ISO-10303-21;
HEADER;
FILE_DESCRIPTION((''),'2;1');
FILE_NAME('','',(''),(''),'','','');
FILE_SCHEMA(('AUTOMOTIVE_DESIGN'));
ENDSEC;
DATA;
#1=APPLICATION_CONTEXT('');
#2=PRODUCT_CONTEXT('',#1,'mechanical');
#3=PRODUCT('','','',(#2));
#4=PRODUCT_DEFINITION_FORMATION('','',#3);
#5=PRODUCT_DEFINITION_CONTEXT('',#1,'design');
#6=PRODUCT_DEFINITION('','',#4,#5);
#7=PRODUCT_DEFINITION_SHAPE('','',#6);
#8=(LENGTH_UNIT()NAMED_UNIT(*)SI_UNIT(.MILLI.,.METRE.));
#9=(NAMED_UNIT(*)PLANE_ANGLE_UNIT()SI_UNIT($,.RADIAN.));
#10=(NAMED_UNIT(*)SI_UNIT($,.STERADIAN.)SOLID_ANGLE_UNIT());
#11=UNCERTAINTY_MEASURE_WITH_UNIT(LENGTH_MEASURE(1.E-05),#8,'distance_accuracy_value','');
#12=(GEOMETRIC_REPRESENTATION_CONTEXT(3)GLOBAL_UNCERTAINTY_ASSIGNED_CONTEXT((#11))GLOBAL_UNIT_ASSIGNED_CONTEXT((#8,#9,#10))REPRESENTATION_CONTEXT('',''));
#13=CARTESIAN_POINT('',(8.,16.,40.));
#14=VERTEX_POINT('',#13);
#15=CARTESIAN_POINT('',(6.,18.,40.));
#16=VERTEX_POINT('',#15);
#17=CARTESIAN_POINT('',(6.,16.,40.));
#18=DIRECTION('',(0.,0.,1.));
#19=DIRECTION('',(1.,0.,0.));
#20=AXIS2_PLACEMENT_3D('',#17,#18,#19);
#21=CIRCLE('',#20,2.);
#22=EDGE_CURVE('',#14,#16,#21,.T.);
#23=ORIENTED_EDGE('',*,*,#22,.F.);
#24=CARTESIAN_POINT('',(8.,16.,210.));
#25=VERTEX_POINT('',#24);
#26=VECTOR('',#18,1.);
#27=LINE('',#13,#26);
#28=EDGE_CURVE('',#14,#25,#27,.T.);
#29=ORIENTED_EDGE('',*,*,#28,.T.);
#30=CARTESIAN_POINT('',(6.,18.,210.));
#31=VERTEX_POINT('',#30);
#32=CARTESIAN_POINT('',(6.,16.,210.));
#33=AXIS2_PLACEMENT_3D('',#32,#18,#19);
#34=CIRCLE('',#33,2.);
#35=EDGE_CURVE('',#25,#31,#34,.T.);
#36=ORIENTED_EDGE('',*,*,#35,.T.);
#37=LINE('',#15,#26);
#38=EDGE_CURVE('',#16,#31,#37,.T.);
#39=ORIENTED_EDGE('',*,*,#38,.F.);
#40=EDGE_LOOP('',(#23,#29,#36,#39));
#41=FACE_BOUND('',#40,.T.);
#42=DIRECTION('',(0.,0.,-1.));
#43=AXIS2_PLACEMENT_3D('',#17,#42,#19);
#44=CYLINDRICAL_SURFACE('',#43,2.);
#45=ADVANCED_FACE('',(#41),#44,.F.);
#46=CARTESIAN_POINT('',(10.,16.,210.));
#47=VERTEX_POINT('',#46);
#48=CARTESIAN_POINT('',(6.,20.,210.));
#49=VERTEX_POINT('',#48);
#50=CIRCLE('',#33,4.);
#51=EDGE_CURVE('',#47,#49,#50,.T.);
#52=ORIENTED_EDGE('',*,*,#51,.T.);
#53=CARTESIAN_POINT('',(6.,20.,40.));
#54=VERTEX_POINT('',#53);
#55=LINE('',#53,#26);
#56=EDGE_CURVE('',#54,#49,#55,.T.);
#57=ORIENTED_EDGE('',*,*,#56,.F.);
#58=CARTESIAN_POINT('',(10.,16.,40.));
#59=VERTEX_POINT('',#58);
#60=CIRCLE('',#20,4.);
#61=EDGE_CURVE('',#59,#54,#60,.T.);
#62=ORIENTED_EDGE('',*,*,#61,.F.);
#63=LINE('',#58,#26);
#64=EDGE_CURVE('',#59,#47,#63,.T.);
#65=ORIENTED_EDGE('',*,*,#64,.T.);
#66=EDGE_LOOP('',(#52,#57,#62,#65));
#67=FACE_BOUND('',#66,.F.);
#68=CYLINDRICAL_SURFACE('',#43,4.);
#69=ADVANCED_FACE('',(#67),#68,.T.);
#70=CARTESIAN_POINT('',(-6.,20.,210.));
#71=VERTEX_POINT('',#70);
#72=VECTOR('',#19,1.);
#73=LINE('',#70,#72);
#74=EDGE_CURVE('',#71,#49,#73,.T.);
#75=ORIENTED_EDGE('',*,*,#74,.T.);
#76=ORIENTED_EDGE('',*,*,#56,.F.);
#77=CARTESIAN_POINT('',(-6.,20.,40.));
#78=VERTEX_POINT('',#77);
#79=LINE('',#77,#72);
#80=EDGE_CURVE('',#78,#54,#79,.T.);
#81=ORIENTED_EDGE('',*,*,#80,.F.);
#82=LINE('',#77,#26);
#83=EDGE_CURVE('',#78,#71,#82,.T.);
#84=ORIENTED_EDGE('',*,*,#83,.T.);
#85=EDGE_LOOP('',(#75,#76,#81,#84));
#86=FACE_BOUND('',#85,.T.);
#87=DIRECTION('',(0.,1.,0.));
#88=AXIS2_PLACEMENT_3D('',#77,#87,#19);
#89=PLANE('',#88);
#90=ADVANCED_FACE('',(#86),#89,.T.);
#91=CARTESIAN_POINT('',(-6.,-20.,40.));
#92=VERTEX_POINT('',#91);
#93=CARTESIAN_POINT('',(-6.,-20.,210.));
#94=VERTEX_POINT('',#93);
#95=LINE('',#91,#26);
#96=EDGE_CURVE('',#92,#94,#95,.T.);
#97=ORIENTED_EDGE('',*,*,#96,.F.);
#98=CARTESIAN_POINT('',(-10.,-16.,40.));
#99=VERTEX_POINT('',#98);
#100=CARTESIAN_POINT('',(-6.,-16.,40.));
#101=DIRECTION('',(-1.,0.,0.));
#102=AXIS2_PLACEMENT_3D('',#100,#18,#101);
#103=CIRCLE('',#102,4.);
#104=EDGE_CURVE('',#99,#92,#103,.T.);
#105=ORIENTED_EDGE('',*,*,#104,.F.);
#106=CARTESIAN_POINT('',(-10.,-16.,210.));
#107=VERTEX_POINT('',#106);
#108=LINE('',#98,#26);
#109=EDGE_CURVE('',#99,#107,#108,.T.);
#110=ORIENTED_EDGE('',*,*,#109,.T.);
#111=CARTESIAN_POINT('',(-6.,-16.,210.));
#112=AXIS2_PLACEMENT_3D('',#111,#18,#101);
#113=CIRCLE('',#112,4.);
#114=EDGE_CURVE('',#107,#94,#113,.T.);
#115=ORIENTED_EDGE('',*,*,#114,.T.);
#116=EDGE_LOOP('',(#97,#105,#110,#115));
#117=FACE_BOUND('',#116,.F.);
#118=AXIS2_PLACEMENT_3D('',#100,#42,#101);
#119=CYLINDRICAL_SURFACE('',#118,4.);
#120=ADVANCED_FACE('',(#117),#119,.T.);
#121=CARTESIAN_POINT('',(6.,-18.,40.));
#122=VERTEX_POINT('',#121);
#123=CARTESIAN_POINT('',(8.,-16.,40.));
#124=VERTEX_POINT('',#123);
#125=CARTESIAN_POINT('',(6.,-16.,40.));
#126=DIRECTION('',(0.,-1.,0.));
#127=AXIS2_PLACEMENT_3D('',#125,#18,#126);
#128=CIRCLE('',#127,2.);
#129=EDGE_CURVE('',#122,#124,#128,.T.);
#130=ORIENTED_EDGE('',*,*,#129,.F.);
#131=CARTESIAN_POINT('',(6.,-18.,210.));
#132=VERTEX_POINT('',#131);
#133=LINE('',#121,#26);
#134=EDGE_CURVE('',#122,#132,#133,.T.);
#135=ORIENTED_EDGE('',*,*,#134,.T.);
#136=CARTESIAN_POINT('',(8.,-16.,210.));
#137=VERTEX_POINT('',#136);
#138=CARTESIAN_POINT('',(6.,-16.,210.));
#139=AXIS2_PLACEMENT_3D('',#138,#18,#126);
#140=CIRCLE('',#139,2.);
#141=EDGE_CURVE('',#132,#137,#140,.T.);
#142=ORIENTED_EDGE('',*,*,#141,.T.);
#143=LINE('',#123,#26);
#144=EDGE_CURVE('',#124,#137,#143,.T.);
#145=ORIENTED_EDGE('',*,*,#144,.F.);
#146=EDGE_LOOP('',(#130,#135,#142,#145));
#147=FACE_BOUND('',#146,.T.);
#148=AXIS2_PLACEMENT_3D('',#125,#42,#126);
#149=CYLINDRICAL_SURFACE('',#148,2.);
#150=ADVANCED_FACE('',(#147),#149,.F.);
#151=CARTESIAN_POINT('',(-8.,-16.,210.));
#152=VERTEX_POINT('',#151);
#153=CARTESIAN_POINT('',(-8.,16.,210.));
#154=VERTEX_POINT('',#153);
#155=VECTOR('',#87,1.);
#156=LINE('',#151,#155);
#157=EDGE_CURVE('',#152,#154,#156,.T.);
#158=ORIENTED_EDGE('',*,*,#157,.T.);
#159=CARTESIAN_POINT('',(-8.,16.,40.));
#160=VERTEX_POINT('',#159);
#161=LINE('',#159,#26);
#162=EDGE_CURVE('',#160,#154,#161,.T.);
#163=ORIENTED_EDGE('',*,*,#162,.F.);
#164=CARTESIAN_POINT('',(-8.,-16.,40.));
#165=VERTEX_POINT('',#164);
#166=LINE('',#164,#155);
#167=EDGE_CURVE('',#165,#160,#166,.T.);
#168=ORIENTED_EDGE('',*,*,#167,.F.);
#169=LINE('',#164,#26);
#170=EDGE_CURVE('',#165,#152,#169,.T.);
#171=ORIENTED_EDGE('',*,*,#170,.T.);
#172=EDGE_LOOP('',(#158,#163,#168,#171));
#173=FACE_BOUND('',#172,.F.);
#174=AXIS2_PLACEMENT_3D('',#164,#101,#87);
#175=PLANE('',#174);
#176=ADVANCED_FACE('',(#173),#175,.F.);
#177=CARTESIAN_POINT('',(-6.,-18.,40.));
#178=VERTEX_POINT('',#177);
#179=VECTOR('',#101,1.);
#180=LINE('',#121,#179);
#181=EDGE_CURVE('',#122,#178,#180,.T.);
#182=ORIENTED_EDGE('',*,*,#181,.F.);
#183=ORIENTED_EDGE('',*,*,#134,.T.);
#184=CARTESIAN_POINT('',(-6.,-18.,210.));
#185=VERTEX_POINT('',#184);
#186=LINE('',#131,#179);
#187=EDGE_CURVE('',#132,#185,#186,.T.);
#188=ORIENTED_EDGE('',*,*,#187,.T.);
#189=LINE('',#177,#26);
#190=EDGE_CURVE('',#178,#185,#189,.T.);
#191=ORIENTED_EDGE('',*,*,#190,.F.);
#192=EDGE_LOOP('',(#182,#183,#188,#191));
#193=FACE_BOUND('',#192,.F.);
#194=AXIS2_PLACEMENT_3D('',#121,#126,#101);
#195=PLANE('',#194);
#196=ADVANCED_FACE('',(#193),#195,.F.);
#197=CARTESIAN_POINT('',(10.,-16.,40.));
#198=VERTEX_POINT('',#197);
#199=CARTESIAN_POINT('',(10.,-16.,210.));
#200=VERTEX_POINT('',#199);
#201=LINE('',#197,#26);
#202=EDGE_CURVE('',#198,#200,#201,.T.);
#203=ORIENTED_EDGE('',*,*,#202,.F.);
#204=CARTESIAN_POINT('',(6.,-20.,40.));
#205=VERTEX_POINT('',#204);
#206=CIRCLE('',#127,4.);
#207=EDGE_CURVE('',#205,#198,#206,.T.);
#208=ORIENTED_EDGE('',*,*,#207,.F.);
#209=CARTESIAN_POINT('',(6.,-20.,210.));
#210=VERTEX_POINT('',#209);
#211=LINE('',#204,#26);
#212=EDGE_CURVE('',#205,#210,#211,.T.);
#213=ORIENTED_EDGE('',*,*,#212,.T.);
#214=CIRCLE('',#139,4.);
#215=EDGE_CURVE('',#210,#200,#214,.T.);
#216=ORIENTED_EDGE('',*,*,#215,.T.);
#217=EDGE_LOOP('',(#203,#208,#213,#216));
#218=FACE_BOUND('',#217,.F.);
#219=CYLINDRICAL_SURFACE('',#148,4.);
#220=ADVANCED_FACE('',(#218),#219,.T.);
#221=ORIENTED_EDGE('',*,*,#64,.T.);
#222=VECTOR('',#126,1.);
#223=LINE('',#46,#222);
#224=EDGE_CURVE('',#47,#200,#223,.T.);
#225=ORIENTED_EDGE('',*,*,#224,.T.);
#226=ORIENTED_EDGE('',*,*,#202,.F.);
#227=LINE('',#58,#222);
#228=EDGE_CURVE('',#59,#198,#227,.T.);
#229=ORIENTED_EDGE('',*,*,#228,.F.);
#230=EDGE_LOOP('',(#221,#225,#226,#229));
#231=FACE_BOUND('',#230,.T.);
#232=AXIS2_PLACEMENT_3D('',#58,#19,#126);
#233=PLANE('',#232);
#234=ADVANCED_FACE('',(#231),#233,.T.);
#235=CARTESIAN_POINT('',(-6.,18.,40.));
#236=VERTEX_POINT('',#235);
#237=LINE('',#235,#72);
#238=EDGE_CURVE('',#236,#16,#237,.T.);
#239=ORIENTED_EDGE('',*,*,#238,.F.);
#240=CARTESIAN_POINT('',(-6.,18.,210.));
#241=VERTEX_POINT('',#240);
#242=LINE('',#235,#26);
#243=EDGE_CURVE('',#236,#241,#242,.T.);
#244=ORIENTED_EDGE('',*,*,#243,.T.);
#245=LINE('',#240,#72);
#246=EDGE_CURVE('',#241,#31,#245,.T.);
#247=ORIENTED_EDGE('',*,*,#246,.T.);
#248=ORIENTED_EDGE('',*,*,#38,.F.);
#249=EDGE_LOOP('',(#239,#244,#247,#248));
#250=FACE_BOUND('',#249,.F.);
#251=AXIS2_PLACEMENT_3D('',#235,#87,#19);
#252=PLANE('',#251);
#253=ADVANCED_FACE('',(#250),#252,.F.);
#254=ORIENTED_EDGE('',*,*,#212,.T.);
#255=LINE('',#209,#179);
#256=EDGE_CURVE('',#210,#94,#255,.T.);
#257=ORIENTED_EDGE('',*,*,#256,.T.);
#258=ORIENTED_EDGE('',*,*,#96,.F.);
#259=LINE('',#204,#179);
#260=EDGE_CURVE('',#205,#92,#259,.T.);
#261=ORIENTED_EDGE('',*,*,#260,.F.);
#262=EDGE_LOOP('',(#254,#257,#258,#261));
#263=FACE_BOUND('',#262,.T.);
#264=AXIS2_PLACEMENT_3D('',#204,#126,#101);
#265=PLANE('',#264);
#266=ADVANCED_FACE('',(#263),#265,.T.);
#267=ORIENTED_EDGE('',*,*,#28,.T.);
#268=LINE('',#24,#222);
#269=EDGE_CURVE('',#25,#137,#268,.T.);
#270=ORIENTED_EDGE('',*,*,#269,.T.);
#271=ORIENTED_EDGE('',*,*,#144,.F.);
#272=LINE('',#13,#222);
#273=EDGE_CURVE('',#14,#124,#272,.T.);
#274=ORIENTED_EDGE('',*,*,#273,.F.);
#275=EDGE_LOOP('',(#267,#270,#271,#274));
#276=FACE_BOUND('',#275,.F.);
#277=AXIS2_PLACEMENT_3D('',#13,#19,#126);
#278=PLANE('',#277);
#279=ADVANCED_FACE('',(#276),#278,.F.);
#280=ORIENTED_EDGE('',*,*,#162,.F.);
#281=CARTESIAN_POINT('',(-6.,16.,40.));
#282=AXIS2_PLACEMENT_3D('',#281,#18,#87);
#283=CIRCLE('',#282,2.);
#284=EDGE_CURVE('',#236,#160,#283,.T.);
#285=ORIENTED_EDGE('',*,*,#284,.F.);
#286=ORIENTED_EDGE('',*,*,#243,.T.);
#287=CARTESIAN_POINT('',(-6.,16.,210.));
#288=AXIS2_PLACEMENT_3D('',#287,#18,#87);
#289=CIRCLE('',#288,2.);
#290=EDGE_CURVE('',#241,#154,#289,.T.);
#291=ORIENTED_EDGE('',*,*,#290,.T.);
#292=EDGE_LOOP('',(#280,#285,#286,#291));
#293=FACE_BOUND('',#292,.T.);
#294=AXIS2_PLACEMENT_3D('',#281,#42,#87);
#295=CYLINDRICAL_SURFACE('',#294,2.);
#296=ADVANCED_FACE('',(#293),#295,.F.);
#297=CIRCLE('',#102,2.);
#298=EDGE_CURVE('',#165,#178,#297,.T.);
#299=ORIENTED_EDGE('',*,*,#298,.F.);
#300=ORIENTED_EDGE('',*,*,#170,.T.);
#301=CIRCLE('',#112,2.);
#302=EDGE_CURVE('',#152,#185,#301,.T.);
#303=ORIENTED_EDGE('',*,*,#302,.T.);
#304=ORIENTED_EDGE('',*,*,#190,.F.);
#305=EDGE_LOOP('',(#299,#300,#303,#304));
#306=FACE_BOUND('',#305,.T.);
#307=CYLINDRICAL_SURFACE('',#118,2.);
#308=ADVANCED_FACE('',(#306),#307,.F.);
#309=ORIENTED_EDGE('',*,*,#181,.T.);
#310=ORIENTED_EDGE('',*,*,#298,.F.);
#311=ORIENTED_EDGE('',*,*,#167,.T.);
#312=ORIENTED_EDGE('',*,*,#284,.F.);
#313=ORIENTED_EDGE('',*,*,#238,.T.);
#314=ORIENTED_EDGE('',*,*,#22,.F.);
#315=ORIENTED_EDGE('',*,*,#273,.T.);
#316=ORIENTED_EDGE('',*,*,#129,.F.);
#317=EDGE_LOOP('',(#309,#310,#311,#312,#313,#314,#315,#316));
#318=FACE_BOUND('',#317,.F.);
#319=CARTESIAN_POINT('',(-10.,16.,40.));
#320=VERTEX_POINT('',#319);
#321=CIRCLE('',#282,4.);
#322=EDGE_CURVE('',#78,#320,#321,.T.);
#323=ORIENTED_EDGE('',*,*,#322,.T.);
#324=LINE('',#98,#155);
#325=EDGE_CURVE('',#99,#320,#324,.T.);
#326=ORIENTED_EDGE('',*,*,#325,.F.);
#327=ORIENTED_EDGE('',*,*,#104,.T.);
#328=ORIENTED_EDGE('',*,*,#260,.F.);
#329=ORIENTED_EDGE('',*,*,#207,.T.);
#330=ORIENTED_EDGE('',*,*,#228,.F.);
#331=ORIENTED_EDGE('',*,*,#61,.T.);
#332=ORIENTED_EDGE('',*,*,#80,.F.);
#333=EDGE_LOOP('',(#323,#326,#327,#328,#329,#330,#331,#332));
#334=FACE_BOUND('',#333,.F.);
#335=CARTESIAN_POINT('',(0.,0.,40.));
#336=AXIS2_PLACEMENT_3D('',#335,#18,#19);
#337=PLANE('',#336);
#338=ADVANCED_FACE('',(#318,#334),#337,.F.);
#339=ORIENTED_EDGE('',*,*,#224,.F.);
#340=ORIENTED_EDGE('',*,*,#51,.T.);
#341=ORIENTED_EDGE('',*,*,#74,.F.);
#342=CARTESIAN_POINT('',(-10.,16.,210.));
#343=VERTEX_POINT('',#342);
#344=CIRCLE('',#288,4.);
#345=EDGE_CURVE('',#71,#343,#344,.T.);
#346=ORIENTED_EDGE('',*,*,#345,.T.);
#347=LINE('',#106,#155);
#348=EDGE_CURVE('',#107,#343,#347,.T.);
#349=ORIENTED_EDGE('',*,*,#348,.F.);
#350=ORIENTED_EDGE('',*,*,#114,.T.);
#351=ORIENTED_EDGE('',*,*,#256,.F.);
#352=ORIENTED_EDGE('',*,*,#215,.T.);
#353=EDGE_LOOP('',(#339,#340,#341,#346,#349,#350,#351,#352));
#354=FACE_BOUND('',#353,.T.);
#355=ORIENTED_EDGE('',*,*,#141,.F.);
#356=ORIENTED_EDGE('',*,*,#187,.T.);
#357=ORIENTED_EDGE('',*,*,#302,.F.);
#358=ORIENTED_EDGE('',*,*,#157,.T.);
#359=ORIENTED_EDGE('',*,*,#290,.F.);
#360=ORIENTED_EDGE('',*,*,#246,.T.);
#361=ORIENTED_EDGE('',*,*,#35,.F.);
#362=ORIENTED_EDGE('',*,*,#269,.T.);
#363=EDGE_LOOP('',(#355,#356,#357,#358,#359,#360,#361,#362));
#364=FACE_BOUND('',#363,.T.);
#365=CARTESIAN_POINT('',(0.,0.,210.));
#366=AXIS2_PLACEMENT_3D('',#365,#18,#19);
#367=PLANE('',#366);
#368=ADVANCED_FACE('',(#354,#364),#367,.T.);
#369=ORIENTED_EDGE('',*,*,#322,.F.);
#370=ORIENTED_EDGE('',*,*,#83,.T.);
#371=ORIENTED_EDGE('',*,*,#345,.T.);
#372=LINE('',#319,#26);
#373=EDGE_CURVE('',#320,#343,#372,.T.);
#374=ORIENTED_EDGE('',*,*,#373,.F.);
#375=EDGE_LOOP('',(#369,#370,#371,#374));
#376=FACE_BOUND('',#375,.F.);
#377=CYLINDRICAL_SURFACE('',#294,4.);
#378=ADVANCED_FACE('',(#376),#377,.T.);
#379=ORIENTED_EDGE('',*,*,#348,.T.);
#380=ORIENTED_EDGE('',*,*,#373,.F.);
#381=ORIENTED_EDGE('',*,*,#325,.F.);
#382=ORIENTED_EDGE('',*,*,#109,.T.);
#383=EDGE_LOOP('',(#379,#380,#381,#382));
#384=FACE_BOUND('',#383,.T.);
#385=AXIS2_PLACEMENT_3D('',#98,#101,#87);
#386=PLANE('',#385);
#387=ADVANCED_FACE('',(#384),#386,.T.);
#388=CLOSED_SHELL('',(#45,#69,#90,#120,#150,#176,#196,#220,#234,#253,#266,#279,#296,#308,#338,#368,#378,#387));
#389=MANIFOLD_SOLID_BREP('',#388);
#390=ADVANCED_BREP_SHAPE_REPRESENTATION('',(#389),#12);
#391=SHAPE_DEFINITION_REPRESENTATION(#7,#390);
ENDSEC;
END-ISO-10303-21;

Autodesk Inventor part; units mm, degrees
ref_plane "Start Plane" through (0, 0, 40) normal (0, 0, 1) x (1, 0, 0)
ref_plane "End Plane" through (0, 0, 210) normal (0, 0, 1) x (1, 0, 0)
sketch "Sketch" plane through (0, 0, 0) normal (0, 0, 1) x (1, 0, 0)
  line L0 (-10, -16) -> (-10, 16)
  line L1 (-6, 20) -> (6, 20)
  line L2 (10, 16) -> (10, -16)
  line L3 (6, -20) -> (-6, -20)
  arc A0 (-10, -16) -> (-6, -20) centre (-6, -16) ccw
  arc A1 (10, 16) -> (6, 20) centre (6, 16) ccw
  arc A2 (-6, 20) -> (-10, 16) centre (-6, 16) ccw
  arc A3 (6, -20) -> (10, -16) centre (6, -16) ccw
  arc A4 (-6, 18) -> (-8, 16) centre (-6, 16) ccw
  line L4 (-6, 18) -> (6, 18)
  arc A5 (8, 16) -> (6, 18) centre (6, 16) ccw
  line L5 (8, 16) -> (8, -16)
  arc A6 (6, -18) -> (8, -16) centre (6, -16) ccw
  line L6 (6, -18) -> (-6, -18)
  arc A7 (-8, -16) -> (-6, -18) centre (-6, -16) ccw
  line L7 (-8, -16) -> (-8, 16)
  line L8 (0, 29.1598) -> (0, -29.1598) construction
  line L9 (-15.1598, 0) -> (15.1598, 0) construction
  dimension "d7" = 4
  dimension "d9" = 20
  dimension "d11" = 40
  dimension "d12" = 2
  dimension "d15" = 10
  dimension "d16" = 20
extrude "Body" add sketch "Sketch" along normal up to surface (170 mm away) from surface at 40
sketch "Sketch3" plane through (0, 0, 0) normal (0, 0, 1) x (1, 0, 0)
  line L0 (0, 0) -> (10, 0)
ref_plane "Work Plane3" through (0, 0, 0) normal (0, -1, 0) x (1, 0, 0)
ref_plane "Work Plane4" through (-6, -20, 210) normal (0, 0, 1) x (1, 0, 0)
split "Split1" plane through (-6, -20, 210) removes the side toward (0, 0, 1)
ref_plane "Work Plane5" through (-6, 520, 40) normal (0, 0, -1) x (-1, 0, 0)
split "Split2" plane through (-6, 520, 40) removes the side toward (0, 0, -1)
sketch "Sketch4" plane through (0, 0, 0) normal (0, -1, 0) x (1, 0, 0)
  line L0 (-2, 40) -> (12, 40) projected
  line L1 (-2, 210) -> (12, 210) projected
  dimension "d18" = 170
equation "\"d7\" = G_IR"
equation "\"d9\" = G_W"
equation "\"d11\" = G_H"
equation "\"d12\" = G_T"
equation "\"d15\" = 0.5 * d9"
equation "\"d16\" = 0.5 * d11"
equation "\"d3\" = G_L"
equation "\"G_W\" = 20"
equation "\"G_H\" = 40"
equation "\"G_T\" = 2"
equation "\"G_IR\" = 4"
equation "\"G_L\" = d18"
properties part number "ISO 10799-2 - 40x20x2 - 170" material "Steel, Mild"
